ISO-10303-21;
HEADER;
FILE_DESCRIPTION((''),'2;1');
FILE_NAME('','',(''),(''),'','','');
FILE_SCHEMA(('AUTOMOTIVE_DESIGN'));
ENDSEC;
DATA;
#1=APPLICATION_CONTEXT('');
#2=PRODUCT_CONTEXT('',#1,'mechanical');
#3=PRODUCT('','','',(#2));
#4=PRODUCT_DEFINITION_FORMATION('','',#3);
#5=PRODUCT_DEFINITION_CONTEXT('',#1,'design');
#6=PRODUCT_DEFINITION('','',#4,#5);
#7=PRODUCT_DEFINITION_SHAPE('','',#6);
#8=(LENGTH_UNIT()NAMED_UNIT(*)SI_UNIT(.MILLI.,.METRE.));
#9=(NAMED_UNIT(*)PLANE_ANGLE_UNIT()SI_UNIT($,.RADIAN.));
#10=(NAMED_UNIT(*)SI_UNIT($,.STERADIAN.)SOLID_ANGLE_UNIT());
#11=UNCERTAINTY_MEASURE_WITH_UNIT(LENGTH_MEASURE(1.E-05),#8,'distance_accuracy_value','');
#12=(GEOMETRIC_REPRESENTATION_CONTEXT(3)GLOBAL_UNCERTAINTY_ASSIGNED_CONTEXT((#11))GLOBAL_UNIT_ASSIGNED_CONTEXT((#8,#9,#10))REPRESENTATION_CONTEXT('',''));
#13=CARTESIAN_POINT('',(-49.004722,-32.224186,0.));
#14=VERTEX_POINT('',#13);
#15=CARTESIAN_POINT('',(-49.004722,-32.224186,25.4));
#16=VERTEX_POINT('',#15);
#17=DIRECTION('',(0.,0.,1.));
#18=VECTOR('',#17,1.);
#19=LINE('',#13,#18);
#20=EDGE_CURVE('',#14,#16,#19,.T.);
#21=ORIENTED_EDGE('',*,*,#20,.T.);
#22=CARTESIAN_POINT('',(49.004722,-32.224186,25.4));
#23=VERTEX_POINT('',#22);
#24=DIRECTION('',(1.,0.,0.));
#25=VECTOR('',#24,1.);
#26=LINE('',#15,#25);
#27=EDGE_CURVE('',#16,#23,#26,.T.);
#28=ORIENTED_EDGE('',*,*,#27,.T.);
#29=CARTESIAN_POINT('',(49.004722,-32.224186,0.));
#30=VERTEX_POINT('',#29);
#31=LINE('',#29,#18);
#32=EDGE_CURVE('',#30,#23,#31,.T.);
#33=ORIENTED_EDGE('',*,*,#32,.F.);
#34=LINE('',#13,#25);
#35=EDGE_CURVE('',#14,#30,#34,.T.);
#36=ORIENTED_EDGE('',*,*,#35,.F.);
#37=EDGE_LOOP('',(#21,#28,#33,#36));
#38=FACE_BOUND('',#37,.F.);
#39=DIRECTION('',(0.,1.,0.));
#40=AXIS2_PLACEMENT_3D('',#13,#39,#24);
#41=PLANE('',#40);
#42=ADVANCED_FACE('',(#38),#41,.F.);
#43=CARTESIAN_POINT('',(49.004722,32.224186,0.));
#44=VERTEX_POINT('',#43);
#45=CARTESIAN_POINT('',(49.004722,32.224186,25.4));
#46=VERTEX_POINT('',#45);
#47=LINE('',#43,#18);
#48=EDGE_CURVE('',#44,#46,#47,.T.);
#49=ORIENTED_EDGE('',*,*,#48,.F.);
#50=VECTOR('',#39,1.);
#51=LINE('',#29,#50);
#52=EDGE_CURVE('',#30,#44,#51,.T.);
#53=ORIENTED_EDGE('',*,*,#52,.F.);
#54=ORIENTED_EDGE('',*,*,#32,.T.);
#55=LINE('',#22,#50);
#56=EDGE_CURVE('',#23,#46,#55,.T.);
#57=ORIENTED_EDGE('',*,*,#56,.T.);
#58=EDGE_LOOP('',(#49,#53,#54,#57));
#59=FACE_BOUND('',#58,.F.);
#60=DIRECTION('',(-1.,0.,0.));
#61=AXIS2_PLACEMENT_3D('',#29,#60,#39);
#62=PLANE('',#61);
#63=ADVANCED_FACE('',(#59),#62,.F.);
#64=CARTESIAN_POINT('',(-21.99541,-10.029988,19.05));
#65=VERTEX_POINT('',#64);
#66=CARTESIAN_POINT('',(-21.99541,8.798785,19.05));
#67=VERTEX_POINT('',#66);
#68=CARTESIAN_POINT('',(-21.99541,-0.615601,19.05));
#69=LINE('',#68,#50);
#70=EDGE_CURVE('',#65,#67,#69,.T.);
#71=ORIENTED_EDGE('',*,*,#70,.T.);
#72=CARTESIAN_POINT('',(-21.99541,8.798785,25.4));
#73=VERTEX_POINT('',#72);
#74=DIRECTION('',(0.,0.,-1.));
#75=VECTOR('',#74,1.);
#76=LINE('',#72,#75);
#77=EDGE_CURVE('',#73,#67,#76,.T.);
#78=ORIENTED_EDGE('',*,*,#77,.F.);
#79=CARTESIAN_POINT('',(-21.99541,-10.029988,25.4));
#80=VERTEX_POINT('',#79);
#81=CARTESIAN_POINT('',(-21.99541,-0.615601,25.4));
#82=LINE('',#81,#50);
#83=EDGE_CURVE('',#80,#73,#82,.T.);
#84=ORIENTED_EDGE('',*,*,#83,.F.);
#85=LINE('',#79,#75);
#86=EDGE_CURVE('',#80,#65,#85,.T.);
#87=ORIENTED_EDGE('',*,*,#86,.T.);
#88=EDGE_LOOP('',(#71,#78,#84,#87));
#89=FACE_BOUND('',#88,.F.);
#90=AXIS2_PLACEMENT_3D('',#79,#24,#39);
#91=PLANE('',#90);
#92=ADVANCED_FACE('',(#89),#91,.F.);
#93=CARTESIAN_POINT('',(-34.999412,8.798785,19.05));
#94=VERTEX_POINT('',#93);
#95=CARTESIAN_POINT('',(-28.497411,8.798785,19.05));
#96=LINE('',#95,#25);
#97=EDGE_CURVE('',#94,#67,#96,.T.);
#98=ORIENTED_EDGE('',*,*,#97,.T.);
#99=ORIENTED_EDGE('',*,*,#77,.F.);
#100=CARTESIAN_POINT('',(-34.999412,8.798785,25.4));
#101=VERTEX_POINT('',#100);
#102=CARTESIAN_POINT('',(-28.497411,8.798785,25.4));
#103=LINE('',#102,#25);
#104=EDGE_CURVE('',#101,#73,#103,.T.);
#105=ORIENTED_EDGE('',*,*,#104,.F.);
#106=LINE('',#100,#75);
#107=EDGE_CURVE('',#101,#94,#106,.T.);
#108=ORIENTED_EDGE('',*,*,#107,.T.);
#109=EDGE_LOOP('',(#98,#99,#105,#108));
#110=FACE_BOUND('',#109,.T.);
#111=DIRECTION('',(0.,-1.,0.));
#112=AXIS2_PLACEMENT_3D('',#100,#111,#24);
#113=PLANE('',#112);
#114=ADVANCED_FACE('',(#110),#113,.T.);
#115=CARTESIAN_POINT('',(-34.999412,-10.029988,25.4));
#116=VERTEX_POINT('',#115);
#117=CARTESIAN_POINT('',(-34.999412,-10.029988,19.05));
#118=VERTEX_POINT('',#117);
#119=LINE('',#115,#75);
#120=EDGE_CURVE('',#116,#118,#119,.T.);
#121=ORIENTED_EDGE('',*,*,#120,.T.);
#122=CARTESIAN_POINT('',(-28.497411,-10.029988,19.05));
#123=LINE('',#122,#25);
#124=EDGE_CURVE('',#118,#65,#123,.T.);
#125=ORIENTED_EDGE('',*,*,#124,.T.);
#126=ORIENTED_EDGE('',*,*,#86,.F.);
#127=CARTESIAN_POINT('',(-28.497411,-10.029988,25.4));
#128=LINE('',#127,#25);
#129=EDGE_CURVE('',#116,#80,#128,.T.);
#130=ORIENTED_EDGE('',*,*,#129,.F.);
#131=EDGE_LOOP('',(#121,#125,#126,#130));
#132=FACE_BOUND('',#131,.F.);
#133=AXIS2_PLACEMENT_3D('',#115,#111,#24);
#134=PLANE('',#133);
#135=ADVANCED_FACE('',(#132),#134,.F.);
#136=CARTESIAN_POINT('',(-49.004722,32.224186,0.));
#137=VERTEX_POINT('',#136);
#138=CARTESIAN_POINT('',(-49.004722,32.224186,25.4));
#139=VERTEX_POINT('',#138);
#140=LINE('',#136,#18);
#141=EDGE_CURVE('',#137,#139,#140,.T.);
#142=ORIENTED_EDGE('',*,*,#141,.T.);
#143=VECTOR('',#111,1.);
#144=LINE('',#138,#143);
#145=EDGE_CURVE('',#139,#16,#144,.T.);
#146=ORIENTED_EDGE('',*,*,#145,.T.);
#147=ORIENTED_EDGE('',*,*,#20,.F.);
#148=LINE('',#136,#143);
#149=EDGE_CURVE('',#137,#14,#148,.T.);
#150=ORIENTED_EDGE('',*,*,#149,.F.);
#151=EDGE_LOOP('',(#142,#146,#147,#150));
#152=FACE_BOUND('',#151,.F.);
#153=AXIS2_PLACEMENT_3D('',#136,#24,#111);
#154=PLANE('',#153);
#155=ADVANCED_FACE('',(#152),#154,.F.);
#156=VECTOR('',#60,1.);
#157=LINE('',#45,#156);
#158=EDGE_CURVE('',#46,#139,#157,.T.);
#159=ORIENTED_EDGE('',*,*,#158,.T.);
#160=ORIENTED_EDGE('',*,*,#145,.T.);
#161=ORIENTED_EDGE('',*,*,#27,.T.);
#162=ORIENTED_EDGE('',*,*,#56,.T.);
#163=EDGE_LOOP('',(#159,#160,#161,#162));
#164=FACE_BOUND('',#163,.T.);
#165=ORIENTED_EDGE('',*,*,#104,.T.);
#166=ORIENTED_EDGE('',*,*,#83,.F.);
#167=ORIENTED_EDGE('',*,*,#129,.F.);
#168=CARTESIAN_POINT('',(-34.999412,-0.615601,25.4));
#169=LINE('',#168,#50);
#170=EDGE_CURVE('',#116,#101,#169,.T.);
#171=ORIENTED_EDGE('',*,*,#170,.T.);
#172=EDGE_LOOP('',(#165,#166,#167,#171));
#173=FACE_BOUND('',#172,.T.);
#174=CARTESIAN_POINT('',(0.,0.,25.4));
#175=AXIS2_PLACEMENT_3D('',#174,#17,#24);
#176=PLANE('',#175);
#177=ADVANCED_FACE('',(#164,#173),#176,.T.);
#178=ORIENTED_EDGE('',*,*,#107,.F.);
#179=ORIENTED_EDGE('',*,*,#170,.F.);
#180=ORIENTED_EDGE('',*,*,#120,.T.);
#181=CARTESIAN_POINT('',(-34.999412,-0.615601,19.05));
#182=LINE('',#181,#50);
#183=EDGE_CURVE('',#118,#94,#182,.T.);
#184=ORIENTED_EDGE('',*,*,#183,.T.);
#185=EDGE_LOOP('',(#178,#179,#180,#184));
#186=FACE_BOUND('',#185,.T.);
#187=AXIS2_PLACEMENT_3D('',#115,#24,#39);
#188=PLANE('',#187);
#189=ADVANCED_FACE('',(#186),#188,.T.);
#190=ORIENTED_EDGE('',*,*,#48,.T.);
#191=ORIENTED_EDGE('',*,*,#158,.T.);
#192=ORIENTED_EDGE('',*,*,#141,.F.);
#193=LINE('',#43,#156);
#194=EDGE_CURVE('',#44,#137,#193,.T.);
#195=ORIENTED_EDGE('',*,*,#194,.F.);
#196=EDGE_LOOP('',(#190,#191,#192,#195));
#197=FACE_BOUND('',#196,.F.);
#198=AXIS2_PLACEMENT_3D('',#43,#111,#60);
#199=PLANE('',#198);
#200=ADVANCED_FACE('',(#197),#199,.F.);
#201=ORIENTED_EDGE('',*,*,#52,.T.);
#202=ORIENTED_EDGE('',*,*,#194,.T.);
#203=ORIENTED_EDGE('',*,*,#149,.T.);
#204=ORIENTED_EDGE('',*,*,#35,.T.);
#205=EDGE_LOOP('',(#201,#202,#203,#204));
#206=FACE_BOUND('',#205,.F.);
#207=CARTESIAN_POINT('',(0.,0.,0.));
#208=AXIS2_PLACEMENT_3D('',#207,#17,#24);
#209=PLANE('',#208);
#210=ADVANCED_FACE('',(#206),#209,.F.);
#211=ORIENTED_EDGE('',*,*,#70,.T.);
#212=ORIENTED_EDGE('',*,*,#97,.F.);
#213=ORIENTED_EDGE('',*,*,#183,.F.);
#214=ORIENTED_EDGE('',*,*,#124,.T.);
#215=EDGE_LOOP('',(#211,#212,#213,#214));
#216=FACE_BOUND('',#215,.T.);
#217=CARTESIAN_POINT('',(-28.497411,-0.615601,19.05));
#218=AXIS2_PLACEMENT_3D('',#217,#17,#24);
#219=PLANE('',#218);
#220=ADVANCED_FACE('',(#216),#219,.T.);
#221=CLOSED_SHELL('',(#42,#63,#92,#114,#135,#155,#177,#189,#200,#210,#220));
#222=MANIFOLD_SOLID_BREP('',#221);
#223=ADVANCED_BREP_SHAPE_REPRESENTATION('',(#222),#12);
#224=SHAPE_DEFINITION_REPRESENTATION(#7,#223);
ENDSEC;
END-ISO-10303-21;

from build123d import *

# Parameters (mm, degrees)
F1_DEPTH = 25.4
F2_W     = 13.004002
F2_H     = 18.828773
F3_DEPTH = 6.35


with BuildPart() as f1:
    # F0 (on Top) → F1 (new body)
    with BuildSketch(Plane.XY):
        Polygon((-49.004722, 32.224186), (-49.004722, -32.224186), (49.004722, -32.224186), (49.004722, 32.224186), (25.007728, 32.224186), (-25.007728, 32.224186), align=None)
    extrude(amount=F1_DEPTH)

    # F2 (on face) → F3 (cut)
    with BuildSketch(Plane.XY.offset(25.4)):
        with Locations((-28.497411, -0.615601)):
            Rectangle(F2_W, F2_H)
    extrude(amount=-F3_DEPTH, mode=Mode.SUBTRACT)


solid = f1.part
